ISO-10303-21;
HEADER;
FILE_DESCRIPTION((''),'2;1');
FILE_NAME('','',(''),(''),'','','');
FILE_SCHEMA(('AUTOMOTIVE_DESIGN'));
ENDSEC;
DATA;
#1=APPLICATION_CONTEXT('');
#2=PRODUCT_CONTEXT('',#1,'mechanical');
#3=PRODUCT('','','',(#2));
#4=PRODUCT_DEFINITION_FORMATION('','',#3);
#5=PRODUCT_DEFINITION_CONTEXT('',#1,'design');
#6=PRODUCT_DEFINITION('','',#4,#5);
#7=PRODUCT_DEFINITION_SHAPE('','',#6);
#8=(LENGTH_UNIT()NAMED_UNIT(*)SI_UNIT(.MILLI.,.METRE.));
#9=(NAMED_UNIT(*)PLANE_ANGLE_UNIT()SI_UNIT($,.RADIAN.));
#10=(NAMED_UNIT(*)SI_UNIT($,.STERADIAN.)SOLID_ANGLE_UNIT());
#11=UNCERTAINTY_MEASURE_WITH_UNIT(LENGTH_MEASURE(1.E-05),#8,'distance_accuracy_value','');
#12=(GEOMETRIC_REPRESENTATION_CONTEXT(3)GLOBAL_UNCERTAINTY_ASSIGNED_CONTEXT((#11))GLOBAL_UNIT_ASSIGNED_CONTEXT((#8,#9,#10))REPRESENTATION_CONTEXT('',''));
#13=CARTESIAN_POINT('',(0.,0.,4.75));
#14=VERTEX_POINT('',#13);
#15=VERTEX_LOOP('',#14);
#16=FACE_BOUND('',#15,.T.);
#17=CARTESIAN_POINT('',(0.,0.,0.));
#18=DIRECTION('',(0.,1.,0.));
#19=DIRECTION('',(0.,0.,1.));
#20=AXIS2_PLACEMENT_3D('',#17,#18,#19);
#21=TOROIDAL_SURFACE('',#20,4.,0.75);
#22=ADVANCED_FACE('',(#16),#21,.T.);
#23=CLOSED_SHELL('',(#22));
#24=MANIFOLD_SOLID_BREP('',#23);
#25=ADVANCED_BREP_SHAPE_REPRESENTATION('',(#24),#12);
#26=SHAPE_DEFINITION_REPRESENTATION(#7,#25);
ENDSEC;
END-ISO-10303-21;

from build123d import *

# Parameters (mm, degrees)
SKETCH3_R = 0.75


with BuildPart() as part:
    # Sketch3 → Revolve1 (revolve)
    with BuildSketch(Plane.XY):
        with Locations((4, 0)):
            Circle(SKETCH3_R)
    revolve(axis=Axis((0, 0, 0), (0, 1, 0)))


solid = part.part
